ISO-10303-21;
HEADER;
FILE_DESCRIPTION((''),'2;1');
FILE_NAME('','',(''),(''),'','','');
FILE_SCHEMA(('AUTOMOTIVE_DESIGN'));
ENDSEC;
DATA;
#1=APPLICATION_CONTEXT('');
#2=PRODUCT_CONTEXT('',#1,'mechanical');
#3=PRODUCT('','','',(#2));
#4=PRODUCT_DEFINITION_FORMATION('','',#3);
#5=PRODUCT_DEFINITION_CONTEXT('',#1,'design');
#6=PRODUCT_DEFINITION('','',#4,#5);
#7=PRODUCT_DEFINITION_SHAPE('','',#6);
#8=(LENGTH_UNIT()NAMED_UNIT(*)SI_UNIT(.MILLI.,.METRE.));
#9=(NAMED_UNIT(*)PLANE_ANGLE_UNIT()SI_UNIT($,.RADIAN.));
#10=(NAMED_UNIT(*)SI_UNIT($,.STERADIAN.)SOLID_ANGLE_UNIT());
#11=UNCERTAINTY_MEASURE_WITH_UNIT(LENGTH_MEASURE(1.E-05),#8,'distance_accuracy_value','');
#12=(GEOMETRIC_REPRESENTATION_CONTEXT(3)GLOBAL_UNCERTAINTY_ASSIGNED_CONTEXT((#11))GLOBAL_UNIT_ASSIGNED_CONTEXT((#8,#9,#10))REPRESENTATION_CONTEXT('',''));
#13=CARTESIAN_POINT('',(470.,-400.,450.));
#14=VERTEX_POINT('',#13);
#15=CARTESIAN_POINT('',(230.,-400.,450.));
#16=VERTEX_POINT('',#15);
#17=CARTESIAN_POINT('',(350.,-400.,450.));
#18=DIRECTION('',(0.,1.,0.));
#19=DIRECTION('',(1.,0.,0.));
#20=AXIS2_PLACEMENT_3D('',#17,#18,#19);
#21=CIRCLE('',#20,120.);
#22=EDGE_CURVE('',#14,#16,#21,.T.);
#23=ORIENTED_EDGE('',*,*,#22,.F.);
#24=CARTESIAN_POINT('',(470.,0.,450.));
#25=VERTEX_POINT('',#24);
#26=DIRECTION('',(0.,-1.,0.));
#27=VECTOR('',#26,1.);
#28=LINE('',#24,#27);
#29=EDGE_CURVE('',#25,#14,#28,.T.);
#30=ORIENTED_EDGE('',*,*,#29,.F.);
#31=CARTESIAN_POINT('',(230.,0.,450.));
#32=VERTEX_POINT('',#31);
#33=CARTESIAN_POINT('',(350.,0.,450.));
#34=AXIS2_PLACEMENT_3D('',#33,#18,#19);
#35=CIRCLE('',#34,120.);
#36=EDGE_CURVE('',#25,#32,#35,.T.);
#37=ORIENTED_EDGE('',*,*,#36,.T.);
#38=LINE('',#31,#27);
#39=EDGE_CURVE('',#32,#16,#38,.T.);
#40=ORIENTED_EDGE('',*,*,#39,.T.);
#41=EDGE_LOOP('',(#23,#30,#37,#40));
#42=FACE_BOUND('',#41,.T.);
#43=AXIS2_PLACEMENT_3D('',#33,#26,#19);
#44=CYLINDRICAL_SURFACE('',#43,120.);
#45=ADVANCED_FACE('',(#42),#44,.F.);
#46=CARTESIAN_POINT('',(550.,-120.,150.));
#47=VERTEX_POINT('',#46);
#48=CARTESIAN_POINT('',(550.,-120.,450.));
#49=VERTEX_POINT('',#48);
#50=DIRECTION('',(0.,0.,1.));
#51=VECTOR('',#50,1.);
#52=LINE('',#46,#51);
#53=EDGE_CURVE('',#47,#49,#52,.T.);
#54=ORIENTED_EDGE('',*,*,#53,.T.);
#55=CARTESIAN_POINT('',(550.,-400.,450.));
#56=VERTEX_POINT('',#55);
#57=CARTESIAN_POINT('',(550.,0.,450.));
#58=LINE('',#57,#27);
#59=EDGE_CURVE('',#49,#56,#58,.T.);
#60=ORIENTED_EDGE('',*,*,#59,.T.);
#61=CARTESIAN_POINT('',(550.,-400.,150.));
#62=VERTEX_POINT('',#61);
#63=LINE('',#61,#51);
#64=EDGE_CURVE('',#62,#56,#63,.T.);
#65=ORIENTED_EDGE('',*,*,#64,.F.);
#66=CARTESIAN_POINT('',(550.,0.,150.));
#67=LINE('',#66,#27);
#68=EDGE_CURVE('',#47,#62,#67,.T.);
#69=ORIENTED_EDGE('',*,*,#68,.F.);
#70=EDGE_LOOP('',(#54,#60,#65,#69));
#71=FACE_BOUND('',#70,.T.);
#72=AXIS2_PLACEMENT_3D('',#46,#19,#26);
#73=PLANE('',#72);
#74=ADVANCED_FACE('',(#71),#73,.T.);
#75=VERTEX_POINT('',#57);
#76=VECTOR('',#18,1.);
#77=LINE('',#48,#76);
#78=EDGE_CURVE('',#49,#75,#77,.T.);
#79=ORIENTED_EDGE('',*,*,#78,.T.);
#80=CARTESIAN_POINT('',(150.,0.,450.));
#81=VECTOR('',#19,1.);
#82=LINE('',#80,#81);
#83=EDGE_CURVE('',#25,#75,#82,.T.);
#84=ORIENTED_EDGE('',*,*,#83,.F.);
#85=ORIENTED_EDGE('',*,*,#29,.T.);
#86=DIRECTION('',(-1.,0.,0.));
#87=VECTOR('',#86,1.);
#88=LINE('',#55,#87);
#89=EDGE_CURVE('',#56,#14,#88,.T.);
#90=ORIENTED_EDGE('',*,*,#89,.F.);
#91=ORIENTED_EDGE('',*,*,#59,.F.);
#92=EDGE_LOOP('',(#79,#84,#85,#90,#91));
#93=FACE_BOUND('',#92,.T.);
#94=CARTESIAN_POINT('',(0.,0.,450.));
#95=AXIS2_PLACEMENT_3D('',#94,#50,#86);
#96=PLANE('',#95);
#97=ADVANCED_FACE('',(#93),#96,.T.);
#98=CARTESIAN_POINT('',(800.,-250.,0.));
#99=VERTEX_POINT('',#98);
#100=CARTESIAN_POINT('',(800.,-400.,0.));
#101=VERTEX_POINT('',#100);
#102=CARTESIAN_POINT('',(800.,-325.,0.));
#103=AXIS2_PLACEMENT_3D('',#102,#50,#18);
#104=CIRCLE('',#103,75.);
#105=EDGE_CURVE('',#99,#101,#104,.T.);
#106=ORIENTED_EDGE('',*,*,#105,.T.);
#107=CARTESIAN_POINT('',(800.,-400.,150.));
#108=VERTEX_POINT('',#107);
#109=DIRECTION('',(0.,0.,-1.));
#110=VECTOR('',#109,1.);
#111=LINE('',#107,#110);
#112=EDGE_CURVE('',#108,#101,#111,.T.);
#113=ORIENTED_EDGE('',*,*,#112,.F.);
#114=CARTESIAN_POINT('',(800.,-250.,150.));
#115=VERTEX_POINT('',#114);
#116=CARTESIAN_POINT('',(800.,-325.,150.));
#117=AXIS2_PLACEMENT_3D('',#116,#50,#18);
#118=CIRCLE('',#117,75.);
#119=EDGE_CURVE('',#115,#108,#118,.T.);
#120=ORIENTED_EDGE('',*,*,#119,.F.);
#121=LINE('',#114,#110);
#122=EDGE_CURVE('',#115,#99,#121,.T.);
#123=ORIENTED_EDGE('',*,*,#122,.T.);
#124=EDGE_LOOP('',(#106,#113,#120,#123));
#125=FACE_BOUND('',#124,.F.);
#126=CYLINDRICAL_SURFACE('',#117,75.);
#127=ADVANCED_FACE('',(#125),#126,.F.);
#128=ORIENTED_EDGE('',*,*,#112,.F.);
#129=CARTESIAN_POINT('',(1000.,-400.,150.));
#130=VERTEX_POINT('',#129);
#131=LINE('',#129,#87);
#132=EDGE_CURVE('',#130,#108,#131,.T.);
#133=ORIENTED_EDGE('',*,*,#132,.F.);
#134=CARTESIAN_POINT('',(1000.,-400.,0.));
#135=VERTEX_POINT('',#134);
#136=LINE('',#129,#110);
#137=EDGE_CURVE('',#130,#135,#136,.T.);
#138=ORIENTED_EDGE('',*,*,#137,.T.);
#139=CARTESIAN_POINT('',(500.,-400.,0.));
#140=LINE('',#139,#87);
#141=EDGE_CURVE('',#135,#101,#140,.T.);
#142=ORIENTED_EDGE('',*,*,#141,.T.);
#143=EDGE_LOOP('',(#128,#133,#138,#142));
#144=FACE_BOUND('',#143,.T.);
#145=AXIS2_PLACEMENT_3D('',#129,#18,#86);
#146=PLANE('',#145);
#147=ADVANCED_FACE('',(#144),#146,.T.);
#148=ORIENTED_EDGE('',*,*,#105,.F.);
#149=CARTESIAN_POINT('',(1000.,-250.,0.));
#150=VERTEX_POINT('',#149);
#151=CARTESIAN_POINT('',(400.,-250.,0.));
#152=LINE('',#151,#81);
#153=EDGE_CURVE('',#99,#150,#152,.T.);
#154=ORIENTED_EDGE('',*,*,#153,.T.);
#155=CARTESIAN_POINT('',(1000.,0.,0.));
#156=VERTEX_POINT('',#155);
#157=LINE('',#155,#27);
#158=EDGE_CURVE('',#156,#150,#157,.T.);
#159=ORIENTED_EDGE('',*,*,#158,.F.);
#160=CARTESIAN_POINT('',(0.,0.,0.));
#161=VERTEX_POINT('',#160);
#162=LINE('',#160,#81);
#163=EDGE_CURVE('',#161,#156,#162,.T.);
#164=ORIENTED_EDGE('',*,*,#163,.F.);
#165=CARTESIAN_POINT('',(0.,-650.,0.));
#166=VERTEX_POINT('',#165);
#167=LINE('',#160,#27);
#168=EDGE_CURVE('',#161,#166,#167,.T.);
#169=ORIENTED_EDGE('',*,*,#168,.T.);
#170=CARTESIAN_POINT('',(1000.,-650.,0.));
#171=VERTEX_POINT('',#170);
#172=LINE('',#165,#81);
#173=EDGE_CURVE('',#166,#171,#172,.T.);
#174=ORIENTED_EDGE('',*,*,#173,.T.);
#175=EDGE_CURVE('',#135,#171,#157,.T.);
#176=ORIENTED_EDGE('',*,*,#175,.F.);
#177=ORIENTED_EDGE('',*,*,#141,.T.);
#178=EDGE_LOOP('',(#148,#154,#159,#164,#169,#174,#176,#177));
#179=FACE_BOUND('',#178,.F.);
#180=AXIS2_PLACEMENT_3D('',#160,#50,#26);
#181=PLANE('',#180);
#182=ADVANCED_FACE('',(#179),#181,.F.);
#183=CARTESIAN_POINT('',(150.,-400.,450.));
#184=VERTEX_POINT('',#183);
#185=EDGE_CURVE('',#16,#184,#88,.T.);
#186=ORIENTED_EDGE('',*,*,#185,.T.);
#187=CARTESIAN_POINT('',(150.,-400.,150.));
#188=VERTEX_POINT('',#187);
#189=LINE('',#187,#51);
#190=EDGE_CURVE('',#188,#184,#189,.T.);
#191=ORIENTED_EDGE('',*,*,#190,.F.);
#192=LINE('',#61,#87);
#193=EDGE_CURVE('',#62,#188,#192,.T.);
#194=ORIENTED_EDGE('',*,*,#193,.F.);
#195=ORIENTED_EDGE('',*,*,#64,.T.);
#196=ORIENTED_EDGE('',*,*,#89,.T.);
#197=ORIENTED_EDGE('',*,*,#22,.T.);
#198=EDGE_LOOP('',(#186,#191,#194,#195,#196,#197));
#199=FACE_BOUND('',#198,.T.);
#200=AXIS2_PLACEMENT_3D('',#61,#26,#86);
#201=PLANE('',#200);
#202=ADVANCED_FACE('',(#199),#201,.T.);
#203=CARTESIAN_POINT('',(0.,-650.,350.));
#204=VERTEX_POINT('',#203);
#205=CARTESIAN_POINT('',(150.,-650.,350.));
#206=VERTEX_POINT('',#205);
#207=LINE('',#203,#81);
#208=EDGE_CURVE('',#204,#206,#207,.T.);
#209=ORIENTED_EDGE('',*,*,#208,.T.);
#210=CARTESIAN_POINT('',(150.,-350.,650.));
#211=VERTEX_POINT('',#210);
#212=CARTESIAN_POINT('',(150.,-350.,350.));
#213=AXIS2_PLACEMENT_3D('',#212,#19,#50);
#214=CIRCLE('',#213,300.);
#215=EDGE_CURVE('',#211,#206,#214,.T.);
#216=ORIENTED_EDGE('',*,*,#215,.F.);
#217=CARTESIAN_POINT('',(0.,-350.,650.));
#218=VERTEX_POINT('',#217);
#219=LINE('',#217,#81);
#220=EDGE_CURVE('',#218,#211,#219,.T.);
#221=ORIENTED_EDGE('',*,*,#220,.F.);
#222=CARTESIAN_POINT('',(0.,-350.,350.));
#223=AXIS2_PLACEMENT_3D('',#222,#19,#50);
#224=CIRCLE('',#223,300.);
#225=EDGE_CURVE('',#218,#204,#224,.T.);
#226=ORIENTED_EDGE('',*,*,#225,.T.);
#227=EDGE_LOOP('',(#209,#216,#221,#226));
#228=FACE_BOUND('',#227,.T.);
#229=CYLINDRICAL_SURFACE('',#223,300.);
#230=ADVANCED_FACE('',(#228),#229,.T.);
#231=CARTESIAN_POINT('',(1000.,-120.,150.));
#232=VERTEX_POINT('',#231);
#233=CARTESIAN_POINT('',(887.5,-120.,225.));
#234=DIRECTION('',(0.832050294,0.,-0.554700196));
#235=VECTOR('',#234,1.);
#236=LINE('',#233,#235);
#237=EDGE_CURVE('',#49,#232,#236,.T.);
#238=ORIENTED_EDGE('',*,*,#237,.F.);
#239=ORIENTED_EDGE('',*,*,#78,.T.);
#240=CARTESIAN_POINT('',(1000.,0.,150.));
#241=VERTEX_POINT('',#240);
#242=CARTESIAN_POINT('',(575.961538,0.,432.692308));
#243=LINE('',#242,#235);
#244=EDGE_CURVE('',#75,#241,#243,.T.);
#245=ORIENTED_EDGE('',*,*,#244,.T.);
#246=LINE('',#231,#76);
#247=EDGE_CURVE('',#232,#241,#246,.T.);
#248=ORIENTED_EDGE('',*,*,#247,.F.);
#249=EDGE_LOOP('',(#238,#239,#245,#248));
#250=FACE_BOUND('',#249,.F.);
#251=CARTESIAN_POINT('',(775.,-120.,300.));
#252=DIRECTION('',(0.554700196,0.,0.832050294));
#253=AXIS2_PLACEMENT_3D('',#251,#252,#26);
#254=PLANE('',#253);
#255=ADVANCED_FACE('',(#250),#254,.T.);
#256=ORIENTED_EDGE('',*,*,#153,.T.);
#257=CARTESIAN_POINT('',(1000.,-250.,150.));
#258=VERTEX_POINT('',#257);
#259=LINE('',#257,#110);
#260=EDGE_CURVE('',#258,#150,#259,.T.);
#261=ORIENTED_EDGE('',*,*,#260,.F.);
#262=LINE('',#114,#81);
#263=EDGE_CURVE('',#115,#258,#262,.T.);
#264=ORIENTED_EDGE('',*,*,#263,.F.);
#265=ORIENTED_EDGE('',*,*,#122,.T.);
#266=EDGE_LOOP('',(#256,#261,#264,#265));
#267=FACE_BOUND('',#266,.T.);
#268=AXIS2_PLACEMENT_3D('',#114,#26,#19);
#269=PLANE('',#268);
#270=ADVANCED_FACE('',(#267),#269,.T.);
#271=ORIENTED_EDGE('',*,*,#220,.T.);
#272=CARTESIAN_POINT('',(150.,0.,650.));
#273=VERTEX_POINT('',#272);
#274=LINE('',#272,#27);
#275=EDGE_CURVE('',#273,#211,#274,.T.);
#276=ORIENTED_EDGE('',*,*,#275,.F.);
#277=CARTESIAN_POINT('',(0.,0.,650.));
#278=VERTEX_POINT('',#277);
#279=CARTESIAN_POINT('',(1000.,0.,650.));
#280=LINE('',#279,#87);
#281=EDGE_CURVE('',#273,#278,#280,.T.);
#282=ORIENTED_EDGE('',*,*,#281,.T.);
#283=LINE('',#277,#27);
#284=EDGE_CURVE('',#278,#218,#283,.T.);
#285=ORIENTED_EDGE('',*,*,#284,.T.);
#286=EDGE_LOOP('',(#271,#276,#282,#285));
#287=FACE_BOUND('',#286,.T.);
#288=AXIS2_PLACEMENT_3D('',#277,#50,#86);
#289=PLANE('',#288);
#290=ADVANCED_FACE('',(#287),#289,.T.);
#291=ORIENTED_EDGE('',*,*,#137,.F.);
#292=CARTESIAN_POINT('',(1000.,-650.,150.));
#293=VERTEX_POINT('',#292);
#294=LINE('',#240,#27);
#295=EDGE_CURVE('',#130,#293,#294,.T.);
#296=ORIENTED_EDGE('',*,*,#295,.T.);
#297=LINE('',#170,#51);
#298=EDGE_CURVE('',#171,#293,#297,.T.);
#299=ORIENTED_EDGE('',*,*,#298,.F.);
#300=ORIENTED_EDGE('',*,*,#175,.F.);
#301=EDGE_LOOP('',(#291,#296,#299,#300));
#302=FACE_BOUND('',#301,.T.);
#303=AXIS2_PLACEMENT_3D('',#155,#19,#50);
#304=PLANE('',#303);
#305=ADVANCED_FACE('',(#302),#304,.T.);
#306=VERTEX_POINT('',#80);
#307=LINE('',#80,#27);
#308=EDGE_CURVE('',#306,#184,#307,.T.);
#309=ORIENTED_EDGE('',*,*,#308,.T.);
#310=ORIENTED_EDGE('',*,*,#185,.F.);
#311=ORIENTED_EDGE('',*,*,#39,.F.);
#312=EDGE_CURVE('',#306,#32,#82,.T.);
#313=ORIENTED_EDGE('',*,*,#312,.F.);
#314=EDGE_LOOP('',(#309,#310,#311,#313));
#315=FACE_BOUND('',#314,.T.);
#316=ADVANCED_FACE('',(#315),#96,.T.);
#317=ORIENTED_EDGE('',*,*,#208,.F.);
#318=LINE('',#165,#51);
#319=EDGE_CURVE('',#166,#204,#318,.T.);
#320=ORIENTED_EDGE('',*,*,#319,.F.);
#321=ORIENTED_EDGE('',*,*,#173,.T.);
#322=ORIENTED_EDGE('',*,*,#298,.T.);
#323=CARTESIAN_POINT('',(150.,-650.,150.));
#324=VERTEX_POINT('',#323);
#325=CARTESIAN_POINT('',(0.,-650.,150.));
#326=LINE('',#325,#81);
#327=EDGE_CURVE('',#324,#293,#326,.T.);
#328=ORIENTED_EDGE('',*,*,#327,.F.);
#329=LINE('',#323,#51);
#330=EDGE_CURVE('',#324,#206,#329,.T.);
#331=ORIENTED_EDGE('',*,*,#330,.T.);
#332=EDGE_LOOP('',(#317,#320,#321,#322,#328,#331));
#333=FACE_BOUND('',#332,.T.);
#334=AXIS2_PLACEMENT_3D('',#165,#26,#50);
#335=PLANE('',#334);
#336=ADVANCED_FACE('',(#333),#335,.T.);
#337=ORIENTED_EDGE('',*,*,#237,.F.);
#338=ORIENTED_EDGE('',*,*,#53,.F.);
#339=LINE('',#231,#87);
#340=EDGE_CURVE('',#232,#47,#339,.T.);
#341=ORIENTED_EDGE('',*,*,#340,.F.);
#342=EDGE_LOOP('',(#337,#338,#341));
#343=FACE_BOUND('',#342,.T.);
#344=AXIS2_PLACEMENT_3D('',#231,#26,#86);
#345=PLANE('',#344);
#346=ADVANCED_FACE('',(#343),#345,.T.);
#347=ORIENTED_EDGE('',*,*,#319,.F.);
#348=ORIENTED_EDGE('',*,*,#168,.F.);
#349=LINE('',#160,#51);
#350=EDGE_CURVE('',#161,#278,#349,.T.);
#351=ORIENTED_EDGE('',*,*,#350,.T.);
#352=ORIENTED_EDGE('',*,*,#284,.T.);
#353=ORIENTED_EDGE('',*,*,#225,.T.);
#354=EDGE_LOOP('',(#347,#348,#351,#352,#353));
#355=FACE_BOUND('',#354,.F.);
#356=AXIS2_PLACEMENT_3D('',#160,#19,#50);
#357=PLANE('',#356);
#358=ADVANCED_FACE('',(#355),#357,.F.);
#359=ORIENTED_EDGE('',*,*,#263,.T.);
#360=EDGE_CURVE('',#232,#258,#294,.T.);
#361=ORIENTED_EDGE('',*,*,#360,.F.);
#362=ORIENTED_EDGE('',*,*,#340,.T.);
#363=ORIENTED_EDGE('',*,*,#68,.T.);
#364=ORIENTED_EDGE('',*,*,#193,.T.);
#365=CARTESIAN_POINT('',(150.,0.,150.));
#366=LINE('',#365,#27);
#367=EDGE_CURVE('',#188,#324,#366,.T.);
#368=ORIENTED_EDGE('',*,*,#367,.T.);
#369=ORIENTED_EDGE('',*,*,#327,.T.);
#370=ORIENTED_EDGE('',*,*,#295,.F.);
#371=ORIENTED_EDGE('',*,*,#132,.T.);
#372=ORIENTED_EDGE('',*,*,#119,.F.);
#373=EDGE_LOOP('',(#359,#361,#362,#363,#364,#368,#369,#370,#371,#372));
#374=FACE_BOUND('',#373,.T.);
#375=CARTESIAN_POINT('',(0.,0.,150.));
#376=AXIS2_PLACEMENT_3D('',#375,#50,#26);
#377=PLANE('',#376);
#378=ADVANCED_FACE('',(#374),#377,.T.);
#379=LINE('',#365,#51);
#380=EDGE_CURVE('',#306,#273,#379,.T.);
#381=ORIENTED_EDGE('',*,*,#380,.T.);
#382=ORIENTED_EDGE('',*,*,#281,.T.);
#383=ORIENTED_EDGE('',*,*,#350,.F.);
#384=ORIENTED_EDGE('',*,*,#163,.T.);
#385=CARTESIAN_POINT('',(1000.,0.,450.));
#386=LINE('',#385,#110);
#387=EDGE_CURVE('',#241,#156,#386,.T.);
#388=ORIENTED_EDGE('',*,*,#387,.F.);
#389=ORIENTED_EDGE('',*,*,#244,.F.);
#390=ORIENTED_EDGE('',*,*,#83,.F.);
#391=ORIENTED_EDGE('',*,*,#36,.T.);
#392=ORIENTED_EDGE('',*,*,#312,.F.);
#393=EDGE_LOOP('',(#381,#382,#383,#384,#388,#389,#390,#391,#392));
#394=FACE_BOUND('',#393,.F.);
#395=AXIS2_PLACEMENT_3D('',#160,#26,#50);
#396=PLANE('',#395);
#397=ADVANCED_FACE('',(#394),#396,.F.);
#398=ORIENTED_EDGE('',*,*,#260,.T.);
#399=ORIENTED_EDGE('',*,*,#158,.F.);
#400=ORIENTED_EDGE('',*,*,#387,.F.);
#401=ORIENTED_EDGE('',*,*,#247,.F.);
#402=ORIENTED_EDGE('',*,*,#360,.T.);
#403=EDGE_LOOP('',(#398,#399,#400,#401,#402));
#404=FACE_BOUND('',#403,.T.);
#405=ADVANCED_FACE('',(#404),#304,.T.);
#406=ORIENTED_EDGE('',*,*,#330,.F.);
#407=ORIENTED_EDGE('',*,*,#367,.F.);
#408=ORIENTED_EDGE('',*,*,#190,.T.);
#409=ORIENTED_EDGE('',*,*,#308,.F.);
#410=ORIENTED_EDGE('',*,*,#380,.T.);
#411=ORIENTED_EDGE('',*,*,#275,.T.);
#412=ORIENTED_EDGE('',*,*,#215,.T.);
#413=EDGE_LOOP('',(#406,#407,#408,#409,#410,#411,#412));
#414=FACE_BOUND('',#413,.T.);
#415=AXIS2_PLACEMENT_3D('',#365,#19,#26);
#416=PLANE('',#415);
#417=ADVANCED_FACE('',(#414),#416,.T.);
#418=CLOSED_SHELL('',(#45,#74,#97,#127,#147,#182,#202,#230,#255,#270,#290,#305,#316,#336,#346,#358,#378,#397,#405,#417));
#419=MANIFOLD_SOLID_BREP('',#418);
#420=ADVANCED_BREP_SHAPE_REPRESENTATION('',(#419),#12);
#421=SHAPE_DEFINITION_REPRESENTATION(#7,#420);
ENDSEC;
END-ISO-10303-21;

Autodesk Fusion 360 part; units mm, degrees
box "BoxPrimitive1" add length 650 width 1000 height 150 placed x (0, -1, 0) y (1, 0, 0) z (0, 0, 1) at (0, 0, 0)
sketch "Sketch3" plane through (0, 0, 150) normal (0, 0, 1) x (-1, 0, 0)
  line L0 (0, 650) -> (-1000, 650)
  line L1 (-1000, 650) -> (-1000, 0)
  line L2 (-1000, 0) -> (0, 0)
  line L3 (0, 0) -> (0, 650)
  line L4 (0, 0) -> (-150, 0)
  line L5 (-150, 0) -> (-150, 650)
  line L6 (-150, 650) -> (0, 650)
  line L7 (0, 650) -> (0, 0)
  line L8 (-150, 0) -> (-550, 0)
  line L9 (-550, 0) -> (-550, 400)
  line L10 (-550, 400) -> (-150, 400)
  line L11 (-150, 400) -> (-150, 0)
  line L12 (-550, 0) -> (-1000, 0)
  line L13 (-1000, 0) -> (-1000, 120)
  line L14 (-1000, 120) -> (-550, 120)
  line L15 (-550, 120) -> (-550, 0)
  line L16 (-800, 250) -> (-1000, 250)
  line L17 (-1000, 250) -> (-1000, 400)
  line L18 (-1000, 400) -> (-800, 400)
  arc A0 (-800, 250) -> (-800, 400) centre (-800, 325) ccw
  dimension "d6" = 150
  dimension "d7" = 400
  dimension "d8" = 400
  dimension "d9" = 120
  dimension "d10" = 150
  dimension "d11" = 200
extrude "Extrude1" add sketch "Sketch3" along normal blind 500 contours L0 L2 L3 L4 L5 L6 L7 L11
extrude "Extrude2" add sketch "Sketch3" along normal blind 300 contours L2 L5 L8 L9 L10 L11 L15 | L1 L2 L9 L12 L13 L14 L15
extrude "Extrude3" cut sketch "Sketch3" against normal blind 300 contours L1 L16 L17 L18 A0
fillet "Fillet1" radius 300 1 edges at (75, -650, 650)
chamfer "Chamfer1" distance 450 distance2 300 1 edges at (1000, -60, 450) measured on face at (283.3333, -173.3333, 450)
sketch "Sketch4" plane through (0, 0, 450) normal (0, 0, 1) x (-1, 0, 0)
  line L0 (-550, 120) -> (-550, 0)
  line L1 (-550, 0) -> (-150, 0)
  line L2 (-150, 0) -> (-150, 400)
  line L3 (-150, 400) -> (-550, 400)
  line L4 (-550, 400) -> (-550, 120)
  line L5 (-350, 0) -> (-470, 0)
  line L6 (-470, 0) -> (-470, 400)
  line L7 (-470, 400) -> (-350, 400)
  line L8 (-350, 400) -> (-350, 0)
  dimension "d22" = 120
  dimension "d23" = 400
revolve "Revolve1" cut sketch "Sketch4" angle 360 about axis through (350, -400, 450) along (0, 1, 0) contours L1 L3 L5 L6 L7 L8
